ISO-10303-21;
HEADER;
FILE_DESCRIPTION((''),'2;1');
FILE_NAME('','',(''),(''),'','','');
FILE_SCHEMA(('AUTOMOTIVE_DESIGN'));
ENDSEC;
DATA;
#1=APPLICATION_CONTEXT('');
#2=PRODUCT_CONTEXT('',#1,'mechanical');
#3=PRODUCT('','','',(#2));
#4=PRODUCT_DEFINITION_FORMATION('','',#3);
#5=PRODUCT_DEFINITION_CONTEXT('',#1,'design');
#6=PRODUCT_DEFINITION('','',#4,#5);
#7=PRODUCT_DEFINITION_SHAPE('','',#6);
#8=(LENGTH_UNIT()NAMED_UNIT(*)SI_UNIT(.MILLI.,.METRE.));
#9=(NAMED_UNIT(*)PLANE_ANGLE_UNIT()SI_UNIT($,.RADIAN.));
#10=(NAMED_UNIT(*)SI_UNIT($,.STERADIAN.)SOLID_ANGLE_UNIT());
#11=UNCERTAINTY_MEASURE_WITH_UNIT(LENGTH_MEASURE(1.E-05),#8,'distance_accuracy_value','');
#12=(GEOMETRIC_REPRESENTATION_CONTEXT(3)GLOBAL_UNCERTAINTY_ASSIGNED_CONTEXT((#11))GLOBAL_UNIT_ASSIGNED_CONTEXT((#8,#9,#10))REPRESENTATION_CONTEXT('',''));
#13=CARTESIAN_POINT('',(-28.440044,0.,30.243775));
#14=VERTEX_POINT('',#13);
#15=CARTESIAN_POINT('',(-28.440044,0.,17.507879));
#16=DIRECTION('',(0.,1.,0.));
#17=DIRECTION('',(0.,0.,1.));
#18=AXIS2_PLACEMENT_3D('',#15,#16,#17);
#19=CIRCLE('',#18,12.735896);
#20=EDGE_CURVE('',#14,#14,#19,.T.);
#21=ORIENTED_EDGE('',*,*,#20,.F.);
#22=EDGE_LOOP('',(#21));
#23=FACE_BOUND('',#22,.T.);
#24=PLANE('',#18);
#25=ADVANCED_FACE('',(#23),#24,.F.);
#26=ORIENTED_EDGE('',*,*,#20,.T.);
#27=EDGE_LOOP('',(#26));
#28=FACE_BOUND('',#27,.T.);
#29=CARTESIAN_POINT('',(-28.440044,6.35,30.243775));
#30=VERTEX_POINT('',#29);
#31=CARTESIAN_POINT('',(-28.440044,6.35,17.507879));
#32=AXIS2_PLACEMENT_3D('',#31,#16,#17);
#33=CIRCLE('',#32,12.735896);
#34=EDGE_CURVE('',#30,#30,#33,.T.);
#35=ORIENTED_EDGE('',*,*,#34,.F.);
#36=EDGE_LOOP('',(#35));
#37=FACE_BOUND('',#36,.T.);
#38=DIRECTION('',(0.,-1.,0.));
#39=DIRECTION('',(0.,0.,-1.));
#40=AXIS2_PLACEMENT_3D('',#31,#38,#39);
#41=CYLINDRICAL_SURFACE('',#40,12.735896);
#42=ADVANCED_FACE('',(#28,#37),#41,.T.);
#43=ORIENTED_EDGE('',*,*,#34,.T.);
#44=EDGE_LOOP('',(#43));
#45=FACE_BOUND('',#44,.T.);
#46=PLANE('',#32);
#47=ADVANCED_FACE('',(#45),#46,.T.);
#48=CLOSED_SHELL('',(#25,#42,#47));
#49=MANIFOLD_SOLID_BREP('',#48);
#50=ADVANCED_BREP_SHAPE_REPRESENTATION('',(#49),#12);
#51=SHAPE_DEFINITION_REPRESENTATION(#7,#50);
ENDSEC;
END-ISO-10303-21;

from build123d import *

# Parameters (mm, degrees)
SKETCH1_R           = 12.735895867
BOSS_EXTRUDE1_DEPTH = 6.35


with BuildPart() as part:
    # Sketch1 → Boss-Extrude1 (new body)
    with BuildSketch(Plane(origin=(0, 0, 0), x_dir=(1, 0, 0), z_dir=(0, 1, 0))):
        with Locations((-28.440043746, -17.507879122)):
            Circle(SKETCH1_R)
    extrude(amount=BOSS_EXTRUDE1_DEPTH)


solid = part.part
